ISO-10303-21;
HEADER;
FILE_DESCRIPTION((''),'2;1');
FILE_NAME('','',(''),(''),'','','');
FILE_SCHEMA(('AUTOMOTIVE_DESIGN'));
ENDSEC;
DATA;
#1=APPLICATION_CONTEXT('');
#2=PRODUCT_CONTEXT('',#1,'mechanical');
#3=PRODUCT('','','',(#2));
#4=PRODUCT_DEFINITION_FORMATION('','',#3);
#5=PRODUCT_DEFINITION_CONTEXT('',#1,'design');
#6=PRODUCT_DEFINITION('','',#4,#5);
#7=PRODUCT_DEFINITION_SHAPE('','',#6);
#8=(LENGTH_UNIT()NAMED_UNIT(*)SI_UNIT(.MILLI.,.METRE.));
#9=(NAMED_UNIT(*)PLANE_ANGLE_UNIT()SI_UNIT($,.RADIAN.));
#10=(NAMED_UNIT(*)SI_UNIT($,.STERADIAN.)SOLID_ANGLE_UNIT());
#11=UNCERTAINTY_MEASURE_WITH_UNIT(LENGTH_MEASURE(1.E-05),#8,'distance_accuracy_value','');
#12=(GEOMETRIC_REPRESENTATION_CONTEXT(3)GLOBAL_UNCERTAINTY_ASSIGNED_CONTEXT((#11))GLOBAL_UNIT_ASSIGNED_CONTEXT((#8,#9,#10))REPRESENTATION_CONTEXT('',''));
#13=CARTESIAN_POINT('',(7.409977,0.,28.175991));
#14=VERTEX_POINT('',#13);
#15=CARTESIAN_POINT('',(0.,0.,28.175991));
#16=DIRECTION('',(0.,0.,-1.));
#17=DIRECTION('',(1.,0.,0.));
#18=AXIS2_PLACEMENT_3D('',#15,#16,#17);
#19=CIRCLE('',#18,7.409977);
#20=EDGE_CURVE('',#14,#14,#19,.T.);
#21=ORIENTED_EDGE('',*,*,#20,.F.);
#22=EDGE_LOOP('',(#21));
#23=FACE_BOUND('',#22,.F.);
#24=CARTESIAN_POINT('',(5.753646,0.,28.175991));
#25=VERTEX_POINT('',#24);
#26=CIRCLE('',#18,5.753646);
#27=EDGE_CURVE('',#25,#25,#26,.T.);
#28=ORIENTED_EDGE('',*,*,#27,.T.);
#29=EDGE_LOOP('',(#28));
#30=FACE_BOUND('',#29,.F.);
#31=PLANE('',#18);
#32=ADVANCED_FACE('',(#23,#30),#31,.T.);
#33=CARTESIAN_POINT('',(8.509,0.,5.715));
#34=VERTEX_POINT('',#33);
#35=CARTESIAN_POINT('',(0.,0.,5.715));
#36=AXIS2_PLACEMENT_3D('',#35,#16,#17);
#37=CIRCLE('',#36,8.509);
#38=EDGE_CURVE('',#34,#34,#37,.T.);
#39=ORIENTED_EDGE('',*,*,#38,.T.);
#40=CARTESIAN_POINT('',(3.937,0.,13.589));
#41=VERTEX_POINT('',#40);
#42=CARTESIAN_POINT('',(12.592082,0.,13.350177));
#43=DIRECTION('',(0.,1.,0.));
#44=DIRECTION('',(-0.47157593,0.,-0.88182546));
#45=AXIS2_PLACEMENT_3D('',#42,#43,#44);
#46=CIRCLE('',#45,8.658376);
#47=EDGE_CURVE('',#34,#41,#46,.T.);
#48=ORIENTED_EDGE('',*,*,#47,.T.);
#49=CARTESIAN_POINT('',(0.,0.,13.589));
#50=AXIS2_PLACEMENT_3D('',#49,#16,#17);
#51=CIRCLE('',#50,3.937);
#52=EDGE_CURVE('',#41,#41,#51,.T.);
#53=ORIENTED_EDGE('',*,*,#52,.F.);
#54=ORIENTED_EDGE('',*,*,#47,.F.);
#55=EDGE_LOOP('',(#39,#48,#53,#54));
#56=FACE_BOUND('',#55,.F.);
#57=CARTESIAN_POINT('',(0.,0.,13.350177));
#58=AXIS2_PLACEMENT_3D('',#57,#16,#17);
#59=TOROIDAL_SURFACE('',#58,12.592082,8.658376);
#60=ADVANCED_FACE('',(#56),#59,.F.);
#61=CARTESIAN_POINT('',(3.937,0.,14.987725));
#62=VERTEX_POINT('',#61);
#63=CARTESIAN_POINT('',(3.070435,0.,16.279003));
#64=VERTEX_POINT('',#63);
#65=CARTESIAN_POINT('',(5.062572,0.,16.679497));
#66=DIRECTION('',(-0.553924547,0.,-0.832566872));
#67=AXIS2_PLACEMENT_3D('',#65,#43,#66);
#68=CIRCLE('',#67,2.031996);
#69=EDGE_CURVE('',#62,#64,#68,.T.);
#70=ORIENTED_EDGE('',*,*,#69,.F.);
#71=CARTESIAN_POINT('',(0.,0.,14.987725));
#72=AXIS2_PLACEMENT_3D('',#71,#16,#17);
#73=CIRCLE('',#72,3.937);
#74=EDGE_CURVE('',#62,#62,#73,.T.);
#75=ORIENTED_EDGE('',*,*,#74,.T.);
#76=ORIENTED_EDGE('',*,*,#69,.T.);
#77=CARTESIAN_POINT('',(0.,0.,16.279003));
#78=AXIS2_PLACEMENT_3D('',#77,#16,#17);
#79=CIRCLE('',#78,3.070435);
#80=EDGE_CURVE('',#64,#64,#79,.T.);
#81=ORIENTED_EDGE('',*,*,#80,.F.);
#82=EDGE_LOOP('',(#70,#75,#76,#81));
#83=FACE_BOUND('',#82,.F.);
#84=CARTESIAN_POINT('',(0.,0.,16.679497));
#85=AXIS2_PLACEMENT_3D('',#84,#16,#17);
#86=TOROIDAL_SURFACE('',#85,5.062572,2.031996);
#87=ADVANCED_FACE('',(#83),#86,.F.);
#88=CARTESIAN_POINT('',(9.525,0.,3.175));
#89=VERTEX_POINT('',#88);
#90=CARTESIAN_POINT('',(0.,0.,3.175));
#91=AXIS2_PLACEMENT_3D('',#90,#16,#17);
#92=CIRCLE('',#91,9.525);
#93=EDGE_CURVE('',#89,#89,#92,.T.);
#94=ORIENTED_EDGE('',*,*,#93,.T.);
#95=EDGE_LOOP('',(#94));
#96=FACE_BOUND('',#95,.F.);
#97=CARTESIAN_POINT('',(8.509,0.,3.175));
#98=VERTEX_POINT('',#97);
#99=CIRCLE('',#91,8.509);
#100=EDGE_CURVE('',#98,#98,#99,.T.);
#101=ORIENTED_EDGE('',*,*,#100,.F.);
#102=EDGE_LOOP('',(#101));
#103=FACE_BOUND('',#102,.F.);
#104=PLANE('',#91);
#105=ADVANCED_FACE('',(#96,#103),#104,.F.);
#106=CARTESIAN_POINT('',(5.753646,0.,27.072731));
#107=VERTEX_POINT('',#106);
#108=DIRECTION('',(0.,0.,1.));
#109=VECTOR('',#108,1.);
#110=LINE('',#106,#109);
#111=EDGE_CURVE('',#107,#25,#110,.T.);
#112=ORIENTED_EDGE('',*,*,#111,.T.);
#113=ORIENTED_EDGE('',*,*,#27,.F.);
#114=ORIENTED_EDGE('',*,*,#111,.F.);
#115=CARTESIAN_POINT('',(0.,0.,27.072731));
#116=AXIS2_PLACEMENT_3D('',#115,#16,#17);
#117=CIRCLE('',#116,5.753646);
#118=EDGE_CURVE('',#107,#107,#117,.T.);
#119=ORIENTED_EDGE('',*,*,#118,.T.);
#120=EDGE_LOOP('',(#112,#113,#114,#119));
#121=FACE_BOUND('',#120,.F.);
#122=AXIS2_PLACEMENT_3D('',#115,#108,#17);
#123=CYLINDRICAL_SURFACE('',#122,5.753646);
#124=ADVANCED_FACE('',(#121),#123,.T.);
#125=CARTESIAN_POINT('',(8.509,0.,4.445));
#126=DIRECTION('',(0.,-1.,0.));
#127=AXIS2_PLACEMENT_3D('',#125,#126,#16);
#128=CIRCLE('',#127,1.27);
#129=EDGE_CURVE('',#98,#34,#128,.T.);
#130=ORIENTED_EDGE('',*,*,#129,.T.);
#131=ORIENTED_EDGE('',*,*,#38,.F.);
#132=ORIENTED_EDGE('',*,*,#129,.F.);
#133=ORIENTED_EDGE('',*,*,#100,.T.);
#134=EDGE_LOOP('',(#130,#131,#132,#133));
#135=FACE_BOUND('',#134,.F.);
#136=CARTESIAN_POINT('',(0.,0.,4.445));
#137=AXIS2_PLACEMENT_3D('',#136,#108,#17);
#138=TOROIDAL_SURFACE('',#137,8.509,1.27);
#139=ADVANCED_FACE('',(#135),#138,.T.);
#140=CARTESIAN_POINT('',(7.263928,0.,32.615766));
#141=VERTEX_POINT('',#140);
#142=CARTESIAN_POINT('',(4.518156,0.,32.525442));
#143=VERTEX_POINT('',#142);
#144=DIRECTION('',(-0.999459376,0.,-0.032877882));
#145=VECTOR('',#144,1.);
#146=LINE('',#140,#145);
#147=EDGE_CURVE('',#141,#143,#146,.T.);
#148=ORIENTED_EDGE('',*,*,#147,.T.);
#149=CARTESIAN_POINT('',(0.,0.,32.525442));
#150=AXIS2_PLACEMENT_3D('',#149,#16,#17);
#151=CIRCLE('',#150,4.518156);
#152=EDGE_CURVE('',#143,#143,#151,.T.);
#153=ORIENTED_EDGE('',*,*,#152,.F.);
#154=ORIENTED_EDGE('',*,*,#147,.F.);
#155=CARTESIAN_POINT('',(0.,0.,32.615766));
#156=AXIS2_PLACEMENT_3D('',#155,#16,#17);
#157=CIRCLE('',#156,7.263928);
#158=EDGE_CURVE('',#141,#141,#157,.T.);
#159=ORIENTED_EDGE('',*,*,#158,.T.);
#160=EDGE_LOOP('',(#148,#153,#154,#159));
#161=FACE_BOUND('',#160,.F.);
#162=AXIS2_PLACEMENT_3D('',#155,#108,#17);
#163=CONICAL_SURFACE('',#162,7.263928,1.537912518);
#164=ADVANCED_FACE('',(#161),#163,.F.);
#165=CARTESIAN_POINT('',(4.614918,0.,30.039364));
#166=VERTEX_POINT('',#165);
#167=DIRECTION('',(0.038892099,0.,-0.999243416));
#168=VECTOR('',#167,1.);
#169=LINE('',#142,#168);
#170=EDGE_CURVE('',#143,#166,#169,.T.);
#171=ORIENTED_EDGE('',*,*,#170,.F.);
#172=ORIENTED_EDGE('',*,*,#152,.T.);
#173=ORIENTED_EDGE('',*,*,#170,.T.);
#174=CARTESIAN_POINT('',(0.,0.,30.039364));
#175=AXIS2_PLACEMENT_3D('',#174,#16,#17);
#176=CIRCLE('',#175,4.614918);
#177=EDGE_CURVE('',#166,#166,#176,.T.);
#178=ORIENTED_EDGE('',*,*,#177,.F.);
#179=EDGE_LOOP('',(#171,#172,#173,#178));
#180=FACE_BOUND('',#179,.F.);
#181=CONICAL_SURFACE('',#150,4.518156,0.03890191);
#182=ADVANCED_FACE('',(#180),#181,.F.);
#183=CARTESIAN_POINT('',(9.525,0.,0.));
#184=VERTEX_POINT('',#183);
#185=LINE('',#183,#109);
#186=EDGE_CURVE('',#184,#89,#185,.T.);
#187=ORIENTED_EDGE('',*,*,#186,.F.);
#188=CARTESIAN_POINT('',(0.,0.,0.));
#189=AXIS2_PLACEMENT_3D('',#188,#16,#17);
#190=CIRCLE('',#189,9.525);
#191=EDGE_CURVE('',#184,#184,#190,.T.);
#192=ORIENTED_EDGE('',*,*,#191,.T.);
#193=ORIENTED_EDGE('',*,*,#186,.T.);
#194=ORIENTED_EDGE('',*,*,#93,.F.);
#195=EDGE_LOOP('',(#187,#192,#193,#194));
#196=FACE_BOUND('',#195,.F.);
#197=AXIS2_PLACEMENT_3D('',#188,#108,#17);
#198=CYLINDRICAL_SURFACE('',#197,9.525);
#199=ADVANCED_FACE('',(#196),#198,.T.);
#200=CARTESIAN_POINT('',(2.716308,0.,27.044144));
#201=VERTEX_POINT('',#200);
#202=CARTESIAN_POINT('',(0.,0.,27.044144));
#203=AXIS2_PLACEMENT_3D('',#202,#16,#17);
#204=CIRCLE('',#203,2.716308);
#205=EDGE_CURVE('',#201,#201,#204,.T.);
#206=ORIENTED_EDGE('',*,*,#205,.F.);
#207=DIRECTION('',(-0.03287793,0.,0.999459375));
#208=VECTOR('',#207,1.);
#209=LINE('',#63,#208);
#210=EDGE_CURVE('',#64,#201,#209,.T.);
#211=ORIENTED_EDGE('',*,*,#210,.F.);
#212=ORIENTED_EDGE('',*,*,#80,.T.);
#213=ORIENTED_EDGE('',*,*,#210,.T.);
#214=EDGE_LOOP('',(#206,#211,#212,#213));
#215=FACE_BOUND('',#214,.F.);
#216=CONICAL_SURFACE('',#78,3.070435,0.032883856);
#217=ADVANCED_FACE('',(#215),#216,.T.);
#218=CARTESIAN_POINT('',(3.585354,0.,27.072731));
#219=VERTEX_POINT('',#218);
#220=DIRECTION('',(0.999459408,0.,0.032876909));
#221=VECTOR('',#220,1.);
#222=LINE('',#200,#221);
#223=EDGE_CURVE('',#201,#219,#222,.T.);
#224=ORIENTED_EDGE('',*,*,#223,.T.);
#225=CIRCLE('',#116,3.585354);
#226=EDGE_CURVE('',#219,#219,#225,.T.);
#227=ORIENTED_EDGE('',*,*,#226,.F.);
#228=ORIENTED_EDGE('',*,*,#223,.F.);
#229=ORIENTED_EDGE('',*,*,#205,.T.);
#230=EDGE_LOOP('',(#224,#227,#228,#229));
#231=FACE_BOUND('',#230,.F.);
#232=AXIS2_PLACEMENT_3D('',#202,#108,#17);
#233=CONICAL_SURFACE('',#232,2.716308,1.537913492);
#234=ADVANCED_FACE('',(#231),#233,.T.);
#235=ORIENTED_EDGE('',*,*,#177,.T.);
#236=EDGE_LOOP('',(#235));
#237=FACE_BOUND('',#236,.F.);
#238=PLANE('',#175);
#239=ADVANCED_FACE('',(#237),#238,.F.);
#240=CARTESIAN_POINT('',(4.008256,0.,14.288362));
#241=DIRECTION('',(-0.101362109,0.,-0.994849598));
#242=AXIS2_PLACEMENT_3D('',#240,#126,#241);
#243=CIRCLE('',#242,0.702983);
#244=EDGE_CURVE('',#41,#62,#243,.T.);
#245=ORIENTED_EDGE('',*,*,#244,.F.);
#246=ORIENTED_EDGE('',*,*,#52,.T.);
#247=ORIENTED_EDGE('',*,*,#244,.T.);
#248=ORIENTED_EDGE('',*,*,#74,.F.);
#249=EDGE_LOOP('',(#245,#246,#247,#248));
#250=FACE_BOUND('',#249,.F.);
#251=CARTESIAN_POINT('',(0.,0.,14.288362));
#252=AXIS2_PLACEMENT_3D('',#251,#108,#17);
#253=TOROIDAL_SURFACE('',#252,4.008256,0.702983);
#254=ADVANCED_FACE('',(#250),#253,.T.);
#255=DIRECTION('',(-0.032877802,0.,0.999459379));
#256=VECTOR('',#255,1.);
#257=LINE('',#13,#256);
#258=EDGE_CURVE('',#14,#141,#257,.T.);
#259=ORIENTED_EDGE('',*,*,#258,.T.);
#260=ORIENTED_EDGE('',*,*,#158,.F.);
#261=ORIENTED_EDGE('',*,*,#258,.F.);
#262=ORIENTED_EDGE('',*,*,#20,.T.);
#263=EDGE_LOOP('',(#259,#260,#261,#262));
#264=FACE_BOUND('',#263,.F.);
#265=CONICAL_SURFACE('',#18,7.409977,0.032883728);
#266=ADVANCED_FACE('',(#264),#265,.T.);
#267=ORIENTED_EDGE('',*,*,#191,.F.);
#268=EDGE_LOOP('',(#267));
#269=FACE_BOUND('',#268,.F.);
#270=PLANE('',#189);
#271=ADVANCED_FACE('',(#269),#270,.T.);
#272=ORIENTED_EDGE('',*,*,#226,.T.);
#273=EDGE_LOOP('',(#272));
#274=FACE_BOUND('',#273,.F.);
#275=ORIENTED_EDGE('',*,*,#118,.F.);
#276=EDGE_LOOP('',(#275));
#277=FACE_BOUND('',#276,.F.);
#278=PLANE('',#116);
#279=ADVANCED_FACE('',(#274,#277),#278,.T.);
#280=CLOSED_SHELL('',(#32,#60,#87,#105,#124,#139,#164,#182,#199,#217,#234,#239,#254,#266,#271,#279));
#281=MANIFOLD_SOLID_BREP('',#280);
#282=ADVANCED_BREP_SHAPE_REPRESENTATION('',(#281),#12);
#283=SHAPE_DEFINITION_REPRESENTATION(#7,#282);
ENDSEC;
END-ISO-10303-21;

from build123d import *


with BuildPart() as f1:
    # F0 (on Front) → F1 (revolve)
    with BuildSketch(Plane.XZ):
        with BuildLine():
            Line((0, 30.039364), (0, 0))
            Line((0, 0), (9.525, 0))
            Line((9.525, 0), (9.525, 3.175))
            Line((9.525, 3.175), (8.509, 3.175))
            ThreePointArc((8.509, 3.175), (9.779, 4.445), (8.509, 5.715))
            ThreePointArc((8.509, 5.715), (5.104414, 9.002498), (3.937, 13.589))
            ThreePointArc((3.937, 13.589), (4.711239, 14.288362), (3.937, 14.987725))
            ThreePointArc((3.937, 14.987725), (3.375303, 15.547186), (3.070435, 16.279003))
            Line((3.070435, 16.279003), (2.716308, 27.044144))
            Line((2.716308, 27.044144), (3.585354, 27.072731))
            Line((3.585354, 27.072731), (5.753646, 27.072731))
            Line((5.753646, 27.072731), (5.753646, 28.175991))
            Line((5.753646, 28.175991), (7.409977, 28.175991))
            Line((7.409977, 28.175991), (7.263928, 32.615766))
            Line((7.263928, 32.615766), (4.518156, 32.525442))
            Line((4.518156, 32.525442), (4.614918, 30.039364))
            Line((4.614918, 30.039364), (0, 30.039364))
        make_face()
    revolve(axis=Axis((0, 0, 15.019682), (0, 0, -1)))


solid = f1.part
